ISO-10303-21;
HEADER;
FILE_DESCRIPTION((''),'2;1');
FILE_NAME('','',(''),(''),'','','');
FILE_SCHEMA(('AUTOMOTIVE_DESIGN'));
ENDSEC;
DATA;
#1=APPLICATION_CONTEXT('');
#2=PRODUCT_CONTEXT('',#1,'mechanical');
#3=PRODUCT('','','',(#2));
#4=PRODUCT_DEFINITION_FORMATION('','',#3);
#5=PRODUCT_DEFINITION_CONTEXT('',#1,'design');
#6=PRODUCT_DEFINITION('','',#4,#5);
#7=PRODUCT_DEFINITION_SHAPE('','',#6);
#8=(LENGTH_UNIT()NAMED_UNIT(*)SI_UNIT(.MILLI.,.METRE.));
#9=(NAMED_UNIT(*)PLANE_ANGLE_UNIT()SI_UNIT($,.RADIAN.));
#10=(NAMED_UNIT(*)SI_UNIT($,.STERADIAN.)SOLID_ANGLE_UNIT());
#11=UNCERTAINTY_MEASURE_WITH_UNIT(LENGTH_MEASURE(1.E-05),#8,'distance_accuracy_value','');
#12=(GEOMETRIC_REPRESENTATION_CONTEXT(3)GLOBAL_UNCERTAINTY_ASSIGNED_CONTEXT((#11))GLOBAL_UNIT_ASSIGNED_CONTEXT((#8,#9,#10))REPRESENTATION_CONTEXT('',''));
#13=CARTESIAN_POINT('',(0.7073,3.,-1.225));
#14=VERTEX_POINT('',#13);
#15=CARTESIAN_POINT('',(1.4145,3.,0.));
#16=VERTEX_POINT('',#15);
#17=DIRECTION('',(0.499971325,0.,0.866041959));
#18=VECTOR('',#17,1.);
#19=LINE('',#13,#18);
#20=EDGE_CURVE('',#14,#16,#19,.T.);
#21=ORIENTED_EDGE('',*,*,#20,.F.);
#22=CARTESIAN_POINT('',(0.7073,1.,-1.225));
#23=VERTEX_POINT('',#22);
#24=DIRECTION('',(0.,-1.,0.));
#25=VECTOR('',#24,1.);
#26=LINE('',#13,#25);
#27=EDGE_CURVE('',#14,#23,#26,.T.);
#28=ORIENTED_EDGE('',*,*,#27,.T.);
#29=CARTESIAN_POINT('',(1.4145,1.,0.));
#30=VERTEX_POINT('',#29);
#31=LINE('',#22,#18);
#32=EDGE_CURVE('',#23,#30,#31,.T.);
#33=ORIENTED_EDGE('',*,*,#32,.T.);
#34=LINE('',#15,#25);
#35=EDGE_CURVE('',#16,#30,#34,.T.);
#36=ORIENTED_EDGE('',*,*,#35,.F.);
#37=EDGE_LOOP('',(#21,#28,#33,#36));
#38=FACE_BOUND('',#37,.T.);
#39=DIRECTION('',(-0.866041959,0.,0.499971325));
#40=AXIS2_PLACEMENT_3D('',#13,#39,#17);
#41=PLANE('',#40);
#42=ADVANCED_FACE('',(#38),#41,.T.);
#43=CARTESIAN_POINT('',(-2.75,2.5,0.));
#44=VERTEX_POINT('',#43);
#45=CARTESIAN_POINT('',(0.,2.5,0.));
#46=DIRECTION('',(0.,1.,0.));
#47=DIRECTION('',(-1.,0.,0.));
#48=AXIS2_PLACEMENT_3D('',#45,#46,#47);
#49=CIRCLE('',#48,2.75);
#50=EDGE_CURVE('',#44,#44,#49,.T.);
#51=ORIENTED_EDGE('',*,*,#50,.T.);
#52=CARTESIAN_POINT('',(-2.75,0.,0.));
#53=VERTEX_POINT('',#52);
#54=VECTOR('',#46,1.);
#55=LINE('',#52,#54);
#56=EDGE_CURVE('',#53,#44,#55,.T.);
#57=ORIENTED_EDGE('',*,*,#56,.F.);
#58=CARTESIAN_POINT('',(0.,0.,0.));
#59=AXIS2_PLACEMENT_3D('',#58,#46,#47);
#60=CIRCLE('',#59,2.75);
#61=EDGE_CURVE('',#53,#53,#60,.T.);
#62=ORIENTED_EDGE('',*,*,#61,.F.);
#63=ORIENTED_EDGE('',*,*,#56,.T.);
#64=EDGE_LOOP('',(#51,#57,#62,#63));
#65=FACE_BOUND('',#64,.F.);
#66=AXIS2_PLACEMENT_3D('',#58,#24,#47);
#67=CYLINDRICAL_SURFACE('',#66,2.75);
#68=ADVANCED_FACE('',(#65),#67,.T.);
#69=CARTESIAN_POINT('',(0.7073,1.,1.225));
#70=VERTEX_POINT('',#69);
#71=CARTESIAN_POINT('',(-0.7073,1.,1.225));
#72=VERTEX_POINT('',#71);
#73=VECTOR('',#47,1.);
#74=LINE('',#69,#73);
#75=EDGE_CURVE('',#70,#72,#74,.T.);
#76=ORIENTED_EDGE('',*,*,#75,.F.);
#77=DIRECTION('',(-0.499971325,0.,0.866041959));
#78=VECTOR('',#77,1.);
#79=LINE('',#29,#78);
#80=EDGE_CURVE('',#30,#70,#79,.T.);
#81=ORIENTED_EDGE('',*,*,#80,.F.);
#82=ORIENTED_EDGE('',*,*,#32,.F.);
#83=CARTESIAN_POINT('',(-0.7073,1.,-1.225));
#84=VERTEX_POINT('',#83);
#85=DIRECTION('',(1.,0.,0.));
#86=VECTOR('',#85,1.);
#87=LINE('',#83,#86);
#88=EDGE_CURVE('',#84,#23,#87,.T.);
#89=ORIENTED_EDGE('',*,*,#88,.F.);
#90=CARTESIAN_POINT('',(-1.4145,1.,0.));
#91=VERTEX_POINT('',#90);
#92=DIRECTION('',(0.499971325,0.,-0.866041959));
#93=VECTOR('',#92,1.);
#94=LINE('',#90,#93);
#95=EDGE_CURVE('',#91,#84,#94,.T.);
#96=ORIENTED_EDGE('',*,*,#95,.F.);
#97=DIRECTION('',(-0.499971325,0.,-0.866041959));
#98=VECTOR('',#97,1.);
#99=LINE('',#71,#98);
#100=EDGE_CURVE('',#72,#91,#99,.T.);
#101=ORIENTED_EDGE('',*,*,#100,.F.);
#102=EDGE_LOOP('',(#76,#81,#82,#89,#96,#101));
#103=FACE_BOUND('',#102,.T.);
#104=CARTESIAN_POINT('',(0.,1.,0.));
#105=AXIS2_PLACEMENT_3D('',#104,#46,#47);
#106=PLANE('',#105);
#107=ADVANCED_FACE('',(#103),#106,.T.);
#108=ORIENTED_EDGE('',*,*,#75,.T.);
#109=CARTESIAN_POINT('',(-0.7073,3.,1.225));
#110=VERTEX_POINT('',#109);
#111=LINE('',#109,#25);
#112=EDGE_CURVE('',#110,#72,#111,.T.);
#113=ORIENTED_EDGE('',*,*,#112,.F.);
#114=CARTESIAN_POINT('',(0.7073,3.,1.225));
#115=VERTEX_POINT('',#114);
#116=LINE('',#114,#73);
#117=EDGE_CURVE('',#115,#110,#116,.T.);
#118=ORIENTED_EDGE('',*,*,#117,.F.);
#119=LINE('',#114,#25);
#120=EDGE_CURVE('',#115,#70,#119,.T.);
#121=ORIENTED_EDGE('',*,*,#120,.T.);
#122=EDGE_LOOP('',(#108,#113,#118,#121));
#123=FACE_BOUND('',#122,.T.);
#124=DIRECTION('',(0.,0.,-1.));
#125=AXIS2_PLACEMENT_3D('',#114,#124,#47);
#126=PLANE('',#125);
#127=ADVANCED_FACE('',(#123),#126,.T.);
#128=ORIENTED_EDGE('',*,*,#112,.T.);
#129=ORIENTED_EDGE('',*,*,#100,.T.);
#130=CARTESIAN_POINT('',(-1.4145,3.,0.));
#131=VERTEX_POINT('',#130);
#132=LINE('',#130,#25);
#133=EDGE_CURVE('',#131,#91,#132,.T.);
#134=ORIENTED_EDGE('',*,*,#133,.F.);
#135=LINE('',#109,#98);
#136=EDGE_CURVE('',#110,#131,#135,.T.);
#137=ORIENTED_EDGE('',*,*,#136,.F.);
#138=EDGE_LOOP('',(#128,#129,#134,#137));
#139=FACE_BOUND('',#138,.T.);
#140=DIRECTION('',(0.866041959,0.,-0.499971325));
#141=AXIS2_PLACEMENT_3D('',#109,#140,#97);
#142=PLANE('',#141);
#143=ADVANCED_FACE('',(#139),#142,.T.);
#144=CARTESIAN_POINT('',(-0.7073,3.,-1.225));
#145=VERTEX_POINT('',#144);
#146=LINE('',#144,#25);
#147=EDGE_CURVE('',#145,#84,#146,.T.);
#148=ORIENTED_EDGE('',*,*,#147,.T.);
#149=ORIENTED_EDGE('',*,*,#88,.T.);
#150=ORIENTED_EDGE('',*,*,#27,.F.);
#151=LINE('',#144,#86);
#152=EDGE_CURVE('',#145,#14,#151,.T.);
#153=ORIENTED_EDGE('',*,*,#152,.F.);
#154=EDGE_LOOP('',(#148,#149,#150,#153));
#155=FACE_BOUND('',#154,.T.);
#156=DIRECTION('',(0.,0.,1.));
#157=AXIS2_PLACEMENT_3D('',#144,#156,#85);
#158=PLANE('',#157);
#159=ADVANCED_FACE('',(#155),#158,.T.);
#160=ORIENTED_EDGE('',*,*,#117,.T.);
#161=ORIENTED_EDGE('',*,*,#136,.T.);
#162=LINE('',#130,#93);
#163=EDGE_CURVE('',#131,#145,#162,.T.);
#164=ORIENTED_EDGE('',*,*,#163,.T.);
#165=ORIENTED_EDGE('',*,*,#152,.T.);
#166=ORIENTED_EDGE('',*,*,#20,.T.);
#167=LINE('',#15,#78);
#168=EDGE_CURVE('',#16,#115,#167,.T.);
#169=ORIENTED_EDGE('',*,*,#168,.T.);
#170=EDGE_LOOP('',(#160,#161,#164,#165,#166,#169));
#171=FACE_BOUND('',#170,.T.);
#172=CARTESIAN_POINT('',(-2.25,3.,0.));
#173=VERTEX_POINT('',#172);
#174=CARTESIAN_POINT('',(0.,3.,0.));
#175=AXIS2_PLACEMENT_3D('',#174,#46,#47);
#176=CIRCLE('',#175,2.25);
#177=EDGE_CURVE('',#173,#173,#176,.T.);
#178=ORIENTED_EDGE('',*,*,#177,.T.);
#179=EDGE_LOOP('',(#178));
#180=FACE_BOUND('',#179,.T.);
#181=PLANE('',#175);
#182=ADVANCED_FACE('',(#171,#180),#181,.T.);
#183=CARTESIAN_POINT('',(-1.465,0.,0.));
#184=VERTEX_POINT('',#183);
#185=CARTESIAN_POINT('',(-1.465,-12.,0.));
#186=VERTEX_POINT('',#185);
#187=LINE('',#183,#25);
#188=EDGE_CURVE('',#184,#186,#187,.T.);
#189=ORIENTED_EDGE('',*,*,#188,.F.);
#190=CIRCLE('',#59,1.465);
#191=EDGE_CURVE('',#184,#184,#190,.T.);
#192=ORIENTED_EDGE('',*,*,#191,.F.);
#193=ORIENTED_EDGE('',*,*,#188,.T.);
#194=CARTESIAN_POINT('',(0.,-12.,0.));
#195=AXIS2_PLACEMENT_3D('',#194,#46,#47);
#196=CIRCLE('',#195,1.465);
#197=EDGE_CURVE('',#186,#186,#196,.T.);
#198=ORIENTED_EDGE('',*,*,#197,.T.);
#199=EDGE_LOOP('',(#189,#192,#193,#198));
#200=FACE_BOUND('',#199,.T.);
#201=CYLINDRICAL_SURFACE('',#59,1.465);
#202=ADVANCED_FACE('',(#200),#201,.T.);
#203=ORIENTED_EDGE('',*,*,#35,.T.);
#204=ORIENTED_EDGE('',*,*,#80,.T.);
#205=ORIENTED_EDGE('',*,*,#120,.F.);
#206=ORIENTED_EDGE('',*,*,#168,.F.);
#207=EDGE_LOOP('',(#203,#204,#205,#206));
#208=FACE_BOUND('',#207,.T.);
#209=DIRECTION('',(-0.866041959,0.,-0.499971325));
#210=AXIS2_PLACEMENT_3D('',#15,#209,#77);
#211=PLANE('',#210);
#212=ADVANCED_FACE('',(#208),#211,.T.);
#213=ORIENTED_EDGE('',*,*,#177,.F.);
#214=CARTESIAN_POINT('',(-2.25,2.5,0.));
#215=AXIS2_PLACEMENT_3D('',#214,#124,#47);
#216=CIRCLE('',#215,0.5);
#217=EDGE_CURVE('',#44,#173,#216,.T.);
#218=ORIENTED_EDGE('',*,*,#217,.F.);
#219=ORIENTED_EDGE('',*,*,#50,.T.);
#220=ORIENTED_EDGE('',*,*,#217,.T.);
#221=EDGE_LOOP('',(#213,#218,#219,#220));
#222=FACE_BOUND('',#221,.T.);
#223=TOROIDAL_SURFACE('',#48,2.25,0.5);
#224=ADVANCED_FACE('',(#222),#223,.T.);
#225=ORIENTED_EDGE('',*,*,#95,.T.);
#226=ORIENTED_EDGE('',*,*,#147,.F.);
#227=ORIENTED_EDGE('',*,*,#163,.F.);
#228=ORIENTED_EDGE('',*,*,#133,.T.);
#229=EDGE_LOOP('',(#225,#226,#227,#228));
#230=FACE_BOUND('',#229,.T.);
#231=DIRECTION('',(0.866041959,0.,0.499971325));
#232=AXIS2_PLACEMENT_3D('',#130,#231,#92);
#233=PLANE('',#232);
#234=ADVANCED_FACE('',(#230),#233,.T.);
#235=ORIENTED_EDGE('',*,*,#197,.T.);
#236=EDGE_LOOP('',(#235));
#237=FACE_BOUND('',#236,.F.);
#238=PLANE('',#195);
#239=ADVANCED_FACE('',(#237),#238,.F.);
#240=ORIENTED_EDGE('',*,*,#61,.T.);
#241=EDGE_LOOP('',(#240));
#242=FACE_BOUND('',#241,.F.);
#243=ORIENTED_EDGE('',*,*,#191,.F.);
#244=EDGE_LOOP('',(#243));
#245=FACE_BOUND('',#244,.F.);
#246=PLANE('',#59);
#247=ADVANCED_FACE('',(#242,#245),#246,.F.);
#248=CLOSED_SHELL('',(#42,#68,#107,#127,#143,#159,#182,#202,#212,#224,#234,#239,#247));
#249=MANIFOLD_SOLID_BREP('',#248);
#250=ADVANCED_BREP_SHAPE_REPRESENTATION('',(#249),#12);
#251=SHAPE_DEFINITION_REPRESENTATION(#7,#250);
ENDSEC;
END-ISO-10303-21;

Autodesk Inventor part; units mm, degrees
ref_plane "YZ Plane" through (0, 0, 0) normal (1, 0, 0) x (0, 1, 0)
ref_plane "XZ Plane" through (0, 0, 0) normal (0, 1, 0) x (-1, 0, 0)
ref_plane "XY Plane" through (0, 0, 0) normal (0, 0, 1) x (1, 0, 0)
sketch "Sketch1" plane through (0, 0, 0) normal (0, 1, 0) x (-1, 0, 0)
  circle A0 centre (0, 0) radius 1.465
  circle A1 centre (0, 0) radius 2.75
  line L0 (0.7073, -1.225) -> (-0.7073, -1.225)
  line L1 (-0.7073, -1.225) -> (-1.4145, 0)
  line L2 (-1.4145, 0) -> (-0.7073, 1.225)
  line L3 (-0.7073, 1.225) -> (0.7073, 1.225)
  line L4 (0.7073, 1.225) -> (1.4145, 0)
  line L5 (1.4145, 0) -> (0.7073, -1.225)
  dimension "d0" = 2.93
  dimension "d1" = 5.5
  dimension "d8" = 2.45
extrude "Extrusion1" add sketch "Sketch1" along normal blind 3 contours A0 | A1 | L0 L1 L2 L3 L4 L5
extrude "Extrusion2" add sketch "Sketch1" against normal blind 12 contours A0 | L0 L1 L2 L3 L4 L5
extrude "Extrusion3" cut sketch "Sketch1" against normal blind 2 from surface at 3 contours L0 L1 L2 L3 L4 L5
fillet "Fillet1" radius 0.5 1 edges at (2.75, 3, 0)
thread "Thread2" size "M3x0.5" class "6g" standard "ANSI Metric M Profile" full length
equation "\"d4\" = length"
equation "\"length\" = 12"
properties part number "M3x16"
